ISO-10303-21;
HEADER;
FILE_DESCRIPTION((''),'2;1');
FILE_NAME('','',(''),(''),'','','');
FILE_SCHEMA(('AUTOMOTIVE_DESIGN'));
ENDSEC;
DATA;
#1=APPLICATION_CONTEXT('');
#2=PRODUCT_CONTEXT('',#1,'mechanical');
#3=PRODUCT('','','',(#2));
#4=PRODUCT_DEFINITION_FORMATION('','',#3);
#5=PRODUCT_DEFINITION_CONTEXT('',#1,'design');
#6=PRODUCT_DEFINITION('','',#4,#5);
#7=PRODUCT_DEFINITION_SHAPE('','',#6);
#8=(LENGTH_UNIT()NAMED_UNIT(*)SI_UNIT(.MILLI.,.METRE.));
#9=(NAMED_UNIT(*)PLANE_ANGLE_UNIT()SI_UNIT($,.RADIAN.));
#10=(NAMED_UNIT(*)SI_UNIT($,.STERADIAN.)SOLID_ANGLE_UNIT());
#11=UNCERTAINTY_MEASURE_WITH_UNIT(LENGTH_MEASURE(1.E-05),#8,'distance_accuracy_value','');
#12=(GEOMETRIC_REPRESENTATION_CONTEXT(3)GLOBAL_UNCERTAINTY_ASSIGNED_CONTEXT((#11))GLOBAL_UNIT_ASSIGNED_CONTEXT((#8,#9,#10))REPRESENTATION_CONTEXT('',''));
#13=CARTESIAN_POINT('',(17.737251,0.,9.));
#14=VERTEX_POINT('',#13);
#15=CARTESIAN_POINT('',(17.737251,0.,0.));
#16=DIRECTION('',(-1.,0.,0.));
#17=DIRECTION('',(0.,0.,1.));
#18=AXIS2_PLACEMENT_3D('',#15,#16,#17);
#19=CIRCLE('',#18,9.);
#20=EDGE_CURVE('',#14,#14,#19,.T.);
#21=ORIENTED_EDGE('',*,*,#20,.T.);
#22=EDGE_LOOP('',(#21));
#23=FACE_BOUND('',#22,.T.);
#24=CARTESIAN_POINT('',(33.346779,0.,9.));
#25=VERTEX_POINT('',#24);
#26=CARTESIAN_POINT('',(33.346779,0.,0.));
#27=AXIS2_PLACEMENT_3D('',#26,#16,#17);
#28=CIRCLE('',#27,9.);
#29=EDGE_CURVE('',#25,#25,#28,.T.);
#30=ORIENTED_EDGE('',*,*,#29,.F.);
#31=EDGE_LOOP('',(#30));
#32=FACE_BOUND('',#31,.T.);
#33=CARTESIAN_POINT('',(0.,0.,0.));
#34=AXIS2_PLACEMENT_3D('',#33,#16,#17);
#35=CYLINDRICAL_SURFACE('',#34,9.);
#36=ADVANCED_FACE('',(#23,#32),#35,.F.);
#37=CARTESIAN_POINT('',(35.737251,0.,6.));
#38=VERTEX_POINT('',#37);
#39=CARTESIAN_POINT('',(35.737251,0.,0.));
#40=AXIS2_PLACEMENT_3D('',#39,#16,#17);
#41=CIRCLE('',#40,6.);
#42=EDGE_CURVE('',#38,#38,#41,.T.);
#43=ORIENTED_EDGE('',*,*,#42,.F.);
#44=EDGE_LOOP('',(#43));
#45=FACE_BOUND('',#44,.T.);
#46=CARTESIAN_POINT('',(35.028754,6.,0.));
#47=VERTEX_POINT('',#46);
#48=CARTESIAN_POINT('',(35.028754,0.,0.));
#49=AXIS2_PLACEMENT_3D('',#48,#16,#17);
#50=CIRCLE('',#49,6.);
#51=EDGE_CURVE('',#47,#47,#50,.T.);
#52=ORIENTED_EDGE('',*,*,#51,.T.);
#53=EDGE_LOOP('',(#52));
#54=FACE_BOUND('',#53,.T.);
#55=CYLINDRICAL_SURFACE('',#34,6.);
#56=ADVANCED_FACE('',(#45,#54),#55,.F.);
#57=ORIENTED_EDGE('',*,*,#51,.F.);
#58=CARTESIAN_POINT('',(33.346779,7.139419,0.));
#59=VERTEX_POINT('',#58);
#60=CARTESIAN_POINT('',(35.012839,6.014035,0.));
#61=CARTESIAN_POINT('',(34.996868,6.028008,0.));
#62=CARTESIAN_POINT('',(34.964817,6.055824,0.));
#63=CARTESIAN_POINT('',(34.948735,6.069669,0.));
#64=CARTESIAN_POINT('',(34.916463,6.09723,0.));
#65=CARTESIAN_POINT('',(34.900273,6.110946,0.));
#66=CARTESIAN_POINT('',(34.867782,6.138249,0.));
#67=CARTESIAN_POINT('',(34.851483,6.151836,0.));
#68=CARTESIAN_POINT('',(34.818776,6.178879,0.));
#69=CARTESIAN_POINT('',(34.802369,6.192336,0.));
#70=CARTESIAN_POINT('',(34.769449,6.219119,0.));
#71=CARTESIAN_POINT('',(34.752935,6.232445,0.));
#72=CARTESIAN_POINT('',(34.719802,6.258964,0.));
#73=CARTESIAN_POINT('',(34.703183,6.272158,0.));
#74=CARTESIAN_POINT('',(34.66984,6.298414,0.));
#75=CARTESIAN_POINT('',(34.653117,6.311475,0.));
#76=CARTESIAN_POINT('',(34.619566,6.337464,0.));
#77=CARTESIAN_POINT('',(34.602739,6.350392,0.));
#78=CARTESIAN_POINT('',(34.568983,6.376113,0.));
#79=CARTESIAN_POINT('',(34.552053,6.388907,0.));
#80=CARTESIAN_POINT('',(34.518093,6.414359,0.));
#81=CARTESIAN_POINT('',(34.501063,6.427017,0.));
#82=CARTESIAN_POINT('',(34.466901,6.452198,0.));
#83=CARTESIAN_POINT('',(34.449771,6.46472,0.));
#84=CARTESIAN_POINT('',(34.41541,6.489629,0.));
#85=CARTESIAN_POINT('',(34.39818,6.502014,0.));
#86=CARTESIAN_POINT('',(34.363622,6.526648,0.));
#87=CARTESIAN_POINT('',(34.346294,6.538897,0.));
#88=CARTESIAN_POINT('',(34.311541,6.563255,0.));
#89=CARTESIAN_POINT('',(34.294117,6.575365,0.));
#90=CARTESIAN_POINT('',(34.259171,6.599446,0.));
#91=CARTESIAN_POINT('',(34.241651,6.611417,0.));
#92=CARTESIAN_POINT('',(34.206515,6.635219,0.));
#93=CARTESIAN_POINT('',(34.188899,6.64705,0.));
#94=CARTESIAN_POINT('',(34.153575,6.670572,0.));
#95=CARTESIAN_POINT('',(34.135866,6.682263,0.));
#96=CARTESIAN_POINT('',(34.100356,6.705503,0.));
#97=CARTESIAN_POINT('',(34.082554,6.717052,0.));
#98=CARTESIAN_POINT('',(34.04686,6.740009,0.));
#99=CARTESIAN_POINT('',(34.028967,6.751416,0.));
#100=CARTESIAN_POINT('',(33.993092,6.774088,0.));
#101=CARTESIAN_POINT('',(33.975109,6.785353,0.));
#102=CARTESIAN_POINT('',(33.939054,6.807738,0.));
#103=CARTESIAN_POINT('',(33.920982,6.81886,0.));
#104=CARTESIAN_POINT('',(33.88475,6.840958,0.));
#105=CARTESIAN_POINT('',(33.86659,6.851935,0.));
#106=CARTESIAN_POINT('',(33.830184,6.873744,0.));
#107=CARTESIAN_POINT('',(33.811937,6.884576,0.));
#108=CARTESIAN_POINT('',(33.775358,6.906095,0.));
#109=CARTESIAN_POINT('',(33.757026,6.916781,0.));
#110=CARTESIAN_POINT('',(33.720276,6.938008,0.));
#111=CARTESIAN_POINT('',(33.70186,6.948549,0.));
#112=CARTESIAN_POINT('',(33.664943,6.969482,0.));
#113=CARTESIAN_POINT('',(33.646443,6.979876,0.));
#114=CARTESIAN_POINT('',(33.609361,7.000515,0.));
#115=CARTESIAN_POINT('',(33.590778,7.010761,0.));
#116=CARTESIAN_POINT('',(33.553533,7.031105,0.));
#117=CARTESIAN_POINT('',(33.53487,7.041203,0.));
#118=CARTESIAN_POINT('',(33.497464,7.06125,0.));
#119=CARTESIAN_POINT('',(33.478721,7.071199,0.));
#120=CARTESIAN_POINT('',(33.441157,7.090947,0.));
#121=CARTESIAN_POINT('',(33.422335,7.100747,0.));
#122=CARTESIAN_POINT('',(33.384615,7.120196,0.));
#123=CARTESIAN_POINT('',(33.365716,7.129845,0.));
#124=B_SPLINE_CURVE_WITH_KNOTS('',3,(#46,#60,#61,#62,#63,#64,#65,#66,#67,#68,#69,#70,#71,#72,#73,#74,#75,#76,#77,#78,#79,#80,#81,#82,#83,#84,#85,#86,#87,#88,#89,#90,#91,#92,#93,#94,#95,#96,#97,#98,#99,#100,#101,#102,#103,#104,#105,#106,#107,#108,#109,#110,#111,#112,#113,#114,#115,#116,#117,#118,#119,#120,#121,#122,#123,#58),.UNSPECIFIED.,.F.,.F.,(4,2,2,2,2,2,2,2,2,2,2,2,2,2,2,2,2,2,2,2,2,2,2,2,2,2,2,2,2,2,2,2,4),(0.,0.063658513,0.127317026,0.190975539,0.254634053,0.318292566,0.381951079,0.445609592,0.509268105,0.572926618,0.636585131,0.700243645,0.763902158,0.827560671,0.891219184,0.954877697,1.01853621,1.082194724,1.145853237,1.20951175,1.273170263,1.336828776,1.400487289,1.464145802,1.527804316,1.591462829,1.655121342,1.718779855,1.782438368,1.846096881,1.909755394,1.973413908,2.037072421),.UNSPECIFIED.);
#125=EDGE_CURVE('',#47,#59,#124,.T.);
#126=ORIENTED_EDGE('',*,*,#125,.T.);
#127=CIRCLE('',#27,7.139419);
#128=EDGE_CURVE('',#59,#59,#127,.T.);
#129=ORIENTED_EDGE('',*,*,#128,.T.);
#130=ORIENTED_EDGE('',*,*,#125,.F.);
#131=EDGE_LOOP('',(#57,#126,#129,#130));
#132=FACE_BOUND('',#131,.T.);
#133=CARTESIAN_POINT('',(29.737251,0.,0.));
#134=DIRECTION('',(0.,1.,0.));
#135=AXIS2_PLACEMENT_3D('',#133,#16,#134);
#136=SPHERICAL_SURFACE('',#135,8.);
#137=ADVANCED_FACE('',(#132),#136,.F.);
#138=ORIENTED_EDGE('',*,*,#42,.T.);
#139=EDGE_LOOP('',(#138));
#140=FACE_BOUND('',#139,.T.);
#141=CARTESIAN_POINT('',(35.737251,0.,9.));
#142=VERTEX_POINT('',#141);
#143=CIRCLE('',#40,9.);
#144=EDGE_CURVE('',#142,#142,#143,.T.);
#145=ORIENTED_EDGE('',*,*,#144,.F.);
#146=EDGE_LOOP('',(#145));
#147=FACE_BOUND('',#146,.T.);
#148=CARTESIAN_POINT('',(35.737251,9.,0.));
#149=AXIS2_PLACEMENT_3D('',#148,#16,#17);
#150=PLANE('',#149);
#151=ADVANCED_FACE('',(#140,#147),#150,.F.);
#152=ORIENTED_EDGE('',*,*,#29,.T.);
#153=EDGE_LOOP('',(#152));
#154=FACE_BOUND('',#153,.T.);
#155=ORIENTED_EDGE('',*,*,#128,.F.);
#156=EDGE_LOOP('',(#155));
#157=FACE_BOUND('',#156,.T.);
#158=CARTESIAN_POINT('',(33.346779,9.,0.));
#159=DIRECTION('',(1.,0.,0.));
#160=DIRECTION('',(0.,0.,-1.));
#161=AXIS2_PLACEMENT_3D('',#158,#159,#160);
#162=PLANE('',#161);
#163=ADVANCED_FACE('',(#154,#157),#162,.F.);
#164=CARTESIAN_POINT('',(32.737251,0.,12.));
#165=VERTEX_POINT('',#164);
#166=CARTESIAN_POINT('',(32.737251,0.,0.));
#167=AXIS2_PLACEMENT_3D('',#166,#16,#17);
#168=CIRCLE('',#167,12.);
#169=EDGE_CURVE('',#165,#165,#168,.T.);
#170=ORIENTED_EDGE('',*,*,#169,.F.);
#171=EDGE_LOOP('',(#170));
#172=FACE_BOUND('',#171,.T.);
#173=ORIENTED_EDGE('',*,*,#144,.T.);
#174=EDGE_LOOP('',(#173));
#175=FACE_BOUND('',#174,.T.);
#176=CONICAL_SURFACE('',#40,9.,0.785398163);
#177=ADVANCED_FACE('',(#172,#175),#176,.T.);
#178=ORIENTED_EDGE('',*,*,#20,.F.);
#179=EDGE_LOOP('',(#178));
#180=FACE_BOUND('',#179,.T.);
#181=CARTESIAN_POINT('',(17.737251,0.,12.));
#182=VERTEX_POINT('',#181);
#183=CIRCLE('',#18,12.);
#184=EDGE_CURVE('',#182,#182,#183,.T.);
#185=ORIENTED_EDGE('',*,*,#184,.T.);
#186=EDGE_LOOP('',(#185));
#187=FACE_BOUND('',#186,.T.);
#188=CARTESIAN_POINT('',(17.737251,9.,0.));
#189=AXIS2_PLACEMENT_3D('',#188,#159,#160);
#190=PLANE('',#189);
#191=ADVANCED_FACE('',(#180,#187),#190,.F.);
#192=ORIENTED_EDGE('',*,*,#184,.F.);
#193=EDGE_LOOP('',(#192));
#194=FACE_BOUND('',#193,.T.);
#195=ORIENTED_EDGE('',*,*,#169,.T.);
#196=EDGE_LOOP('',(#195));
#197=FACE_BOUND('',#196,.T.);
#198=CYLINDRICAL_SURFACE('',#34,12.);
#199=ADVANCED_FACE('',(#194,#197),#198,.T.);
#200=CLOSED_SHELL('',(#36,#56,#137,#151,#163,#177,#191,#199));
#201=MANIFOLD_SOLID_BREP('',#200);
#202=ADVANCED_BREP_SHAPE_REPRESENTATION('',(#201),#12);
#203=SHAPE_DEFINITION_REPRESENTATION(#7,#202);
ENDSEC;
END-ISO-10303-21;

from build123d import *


with BuildPart() as part:
    # 草图1 → 旋转1 (revolve)
    with BuildSketch(Plane.XY, mode=Mode.PRIVATE) as revolve_1_sk:
        with BuildLine():
            Line((32.73725094, 12), (35.73725094, 9))
            Line((35.73725094, 9), (35.73725094, 6))
            Line((35.73725094, 6), (35.028753562, 6))
            ThreePointArc((35.028753562, 6), (34.224082532, 6.623318071), (33.346779451, 7.139419019))
            Line((33.346779451, 7.139419019), (33.346779451, 9))
            Line((33.346779451, 9), (17.73725094, 9))
            Line((17.73725094, 9), (17.73725094, 12))
            Line((17.73725094, 12), (32.73725094, 12))
        make_face()
    revolve(revolve_1_sk.sketch.rotate(Axis((0, 0, 0), (1, 0, 0)), 90), axis=Axis((0, 0, 0), (1, 0, 0)))


solid = part.part
